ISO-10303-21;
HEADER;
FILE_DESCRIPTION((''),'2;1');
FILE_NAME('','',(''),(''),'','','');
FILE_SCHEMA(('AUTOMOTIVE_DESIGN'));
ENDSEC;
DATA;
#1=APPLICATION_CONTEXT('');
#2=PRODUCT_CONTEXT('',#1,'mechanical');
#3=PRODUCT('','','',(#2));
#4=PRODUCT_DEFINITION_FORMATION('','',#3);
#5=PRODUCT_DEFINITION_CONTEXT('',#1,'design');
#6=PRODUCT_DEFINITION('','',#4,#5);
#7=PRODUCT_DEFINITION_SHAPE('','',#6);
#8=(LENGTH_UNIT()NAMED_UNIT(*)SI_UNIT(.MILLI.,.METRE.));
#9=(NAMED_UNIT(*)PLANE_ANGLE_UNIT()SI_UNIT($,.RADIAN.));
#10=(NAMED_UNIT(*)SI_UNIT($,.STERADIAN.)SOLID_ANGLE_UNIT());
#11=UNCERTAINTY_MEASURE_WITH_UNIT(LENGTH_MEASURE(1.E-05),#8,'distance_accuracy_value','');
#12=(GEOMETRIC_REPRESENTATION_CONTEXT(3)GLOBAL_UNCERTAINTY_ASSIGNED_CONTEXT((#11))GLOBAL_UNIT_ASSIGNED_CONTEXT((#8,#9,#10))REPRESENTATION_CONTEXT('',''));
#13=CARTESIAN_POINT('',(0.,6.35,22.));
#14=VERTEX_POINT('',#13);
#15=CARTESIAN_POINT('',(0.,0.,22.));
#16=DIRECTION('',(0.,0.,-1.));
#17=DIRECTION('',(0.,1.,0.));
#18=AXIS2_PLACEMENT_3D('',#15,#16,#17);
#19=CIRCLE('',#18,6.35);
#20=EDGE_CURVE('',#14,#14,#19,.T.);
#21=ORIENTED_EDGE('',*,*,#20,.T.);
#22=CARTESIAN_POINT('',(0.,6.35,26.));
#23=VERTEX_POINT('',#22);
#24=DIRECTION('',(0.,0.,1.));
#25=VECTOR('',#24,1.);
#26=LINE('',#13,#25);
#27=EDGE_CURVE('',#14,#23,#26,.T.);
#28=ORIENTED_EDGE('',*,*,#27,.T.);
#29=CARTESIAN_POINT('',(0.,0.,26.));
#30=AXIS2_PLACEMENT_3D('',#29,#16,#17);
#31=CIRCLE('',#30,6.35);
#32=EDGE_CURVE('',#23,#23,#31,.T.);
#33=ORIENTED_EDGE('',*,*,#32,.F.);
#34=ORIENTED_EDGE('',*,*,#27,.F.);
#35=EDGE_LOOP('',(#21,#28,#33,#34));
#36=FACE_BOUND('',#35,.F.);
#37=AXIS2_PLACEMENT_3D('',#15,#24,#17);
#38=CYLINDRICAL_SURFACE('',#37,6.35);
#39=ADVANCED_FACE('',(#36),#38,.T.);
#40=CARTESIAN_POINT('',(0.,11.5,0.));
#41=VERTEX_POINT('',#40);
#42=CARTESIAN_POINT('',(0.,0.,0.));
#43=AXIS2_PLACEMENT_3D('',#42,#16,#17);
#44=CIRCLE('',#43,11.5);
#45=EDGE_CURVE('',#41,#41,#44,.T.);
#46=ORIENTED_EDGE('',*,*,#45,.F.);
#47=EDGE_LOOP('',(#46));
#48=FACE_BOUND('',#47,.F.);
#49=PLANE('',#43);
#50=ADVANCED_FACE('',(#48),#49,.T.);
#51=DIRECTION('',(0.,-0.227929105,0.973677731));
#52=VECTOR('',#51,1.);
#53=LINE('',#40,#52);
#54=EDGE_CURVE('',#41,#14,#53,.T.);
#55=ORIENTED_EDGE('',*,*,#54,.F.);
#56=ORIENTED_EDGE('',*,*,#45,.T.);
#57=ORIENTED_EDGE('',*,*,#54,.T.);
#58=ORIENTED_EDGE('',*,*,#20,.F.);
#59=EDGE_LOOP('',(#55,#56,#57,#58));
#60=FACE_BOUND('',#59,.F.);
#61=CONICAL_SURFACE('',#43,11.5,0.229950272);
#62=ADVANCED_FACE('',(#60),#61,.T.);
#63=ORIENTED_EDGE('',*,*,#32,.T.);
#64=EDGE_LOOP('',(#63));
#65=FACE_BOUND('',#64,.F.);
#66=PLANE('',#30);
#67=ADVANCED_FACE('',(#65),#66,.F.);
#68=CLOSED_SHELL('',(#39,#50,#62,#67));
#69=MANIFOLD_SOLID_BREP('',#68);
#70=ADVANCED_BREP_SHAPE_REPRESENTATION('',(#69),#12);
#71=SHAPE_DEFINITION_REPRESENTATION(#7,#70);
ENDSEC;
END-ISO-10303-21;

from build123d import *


with BuildPart() as f1:
    # F0 (on Right) → F1 (revolve)
    with BuildSketch(Plane.YZ):
        Polygon((0, 26), (0, 0), (11.5, 0), (6.35, 22), (6.35, 26), align=None)
    revolve(axis=Axis((0, 0, 13), (0, 0, -1)))


solid = f1.part
